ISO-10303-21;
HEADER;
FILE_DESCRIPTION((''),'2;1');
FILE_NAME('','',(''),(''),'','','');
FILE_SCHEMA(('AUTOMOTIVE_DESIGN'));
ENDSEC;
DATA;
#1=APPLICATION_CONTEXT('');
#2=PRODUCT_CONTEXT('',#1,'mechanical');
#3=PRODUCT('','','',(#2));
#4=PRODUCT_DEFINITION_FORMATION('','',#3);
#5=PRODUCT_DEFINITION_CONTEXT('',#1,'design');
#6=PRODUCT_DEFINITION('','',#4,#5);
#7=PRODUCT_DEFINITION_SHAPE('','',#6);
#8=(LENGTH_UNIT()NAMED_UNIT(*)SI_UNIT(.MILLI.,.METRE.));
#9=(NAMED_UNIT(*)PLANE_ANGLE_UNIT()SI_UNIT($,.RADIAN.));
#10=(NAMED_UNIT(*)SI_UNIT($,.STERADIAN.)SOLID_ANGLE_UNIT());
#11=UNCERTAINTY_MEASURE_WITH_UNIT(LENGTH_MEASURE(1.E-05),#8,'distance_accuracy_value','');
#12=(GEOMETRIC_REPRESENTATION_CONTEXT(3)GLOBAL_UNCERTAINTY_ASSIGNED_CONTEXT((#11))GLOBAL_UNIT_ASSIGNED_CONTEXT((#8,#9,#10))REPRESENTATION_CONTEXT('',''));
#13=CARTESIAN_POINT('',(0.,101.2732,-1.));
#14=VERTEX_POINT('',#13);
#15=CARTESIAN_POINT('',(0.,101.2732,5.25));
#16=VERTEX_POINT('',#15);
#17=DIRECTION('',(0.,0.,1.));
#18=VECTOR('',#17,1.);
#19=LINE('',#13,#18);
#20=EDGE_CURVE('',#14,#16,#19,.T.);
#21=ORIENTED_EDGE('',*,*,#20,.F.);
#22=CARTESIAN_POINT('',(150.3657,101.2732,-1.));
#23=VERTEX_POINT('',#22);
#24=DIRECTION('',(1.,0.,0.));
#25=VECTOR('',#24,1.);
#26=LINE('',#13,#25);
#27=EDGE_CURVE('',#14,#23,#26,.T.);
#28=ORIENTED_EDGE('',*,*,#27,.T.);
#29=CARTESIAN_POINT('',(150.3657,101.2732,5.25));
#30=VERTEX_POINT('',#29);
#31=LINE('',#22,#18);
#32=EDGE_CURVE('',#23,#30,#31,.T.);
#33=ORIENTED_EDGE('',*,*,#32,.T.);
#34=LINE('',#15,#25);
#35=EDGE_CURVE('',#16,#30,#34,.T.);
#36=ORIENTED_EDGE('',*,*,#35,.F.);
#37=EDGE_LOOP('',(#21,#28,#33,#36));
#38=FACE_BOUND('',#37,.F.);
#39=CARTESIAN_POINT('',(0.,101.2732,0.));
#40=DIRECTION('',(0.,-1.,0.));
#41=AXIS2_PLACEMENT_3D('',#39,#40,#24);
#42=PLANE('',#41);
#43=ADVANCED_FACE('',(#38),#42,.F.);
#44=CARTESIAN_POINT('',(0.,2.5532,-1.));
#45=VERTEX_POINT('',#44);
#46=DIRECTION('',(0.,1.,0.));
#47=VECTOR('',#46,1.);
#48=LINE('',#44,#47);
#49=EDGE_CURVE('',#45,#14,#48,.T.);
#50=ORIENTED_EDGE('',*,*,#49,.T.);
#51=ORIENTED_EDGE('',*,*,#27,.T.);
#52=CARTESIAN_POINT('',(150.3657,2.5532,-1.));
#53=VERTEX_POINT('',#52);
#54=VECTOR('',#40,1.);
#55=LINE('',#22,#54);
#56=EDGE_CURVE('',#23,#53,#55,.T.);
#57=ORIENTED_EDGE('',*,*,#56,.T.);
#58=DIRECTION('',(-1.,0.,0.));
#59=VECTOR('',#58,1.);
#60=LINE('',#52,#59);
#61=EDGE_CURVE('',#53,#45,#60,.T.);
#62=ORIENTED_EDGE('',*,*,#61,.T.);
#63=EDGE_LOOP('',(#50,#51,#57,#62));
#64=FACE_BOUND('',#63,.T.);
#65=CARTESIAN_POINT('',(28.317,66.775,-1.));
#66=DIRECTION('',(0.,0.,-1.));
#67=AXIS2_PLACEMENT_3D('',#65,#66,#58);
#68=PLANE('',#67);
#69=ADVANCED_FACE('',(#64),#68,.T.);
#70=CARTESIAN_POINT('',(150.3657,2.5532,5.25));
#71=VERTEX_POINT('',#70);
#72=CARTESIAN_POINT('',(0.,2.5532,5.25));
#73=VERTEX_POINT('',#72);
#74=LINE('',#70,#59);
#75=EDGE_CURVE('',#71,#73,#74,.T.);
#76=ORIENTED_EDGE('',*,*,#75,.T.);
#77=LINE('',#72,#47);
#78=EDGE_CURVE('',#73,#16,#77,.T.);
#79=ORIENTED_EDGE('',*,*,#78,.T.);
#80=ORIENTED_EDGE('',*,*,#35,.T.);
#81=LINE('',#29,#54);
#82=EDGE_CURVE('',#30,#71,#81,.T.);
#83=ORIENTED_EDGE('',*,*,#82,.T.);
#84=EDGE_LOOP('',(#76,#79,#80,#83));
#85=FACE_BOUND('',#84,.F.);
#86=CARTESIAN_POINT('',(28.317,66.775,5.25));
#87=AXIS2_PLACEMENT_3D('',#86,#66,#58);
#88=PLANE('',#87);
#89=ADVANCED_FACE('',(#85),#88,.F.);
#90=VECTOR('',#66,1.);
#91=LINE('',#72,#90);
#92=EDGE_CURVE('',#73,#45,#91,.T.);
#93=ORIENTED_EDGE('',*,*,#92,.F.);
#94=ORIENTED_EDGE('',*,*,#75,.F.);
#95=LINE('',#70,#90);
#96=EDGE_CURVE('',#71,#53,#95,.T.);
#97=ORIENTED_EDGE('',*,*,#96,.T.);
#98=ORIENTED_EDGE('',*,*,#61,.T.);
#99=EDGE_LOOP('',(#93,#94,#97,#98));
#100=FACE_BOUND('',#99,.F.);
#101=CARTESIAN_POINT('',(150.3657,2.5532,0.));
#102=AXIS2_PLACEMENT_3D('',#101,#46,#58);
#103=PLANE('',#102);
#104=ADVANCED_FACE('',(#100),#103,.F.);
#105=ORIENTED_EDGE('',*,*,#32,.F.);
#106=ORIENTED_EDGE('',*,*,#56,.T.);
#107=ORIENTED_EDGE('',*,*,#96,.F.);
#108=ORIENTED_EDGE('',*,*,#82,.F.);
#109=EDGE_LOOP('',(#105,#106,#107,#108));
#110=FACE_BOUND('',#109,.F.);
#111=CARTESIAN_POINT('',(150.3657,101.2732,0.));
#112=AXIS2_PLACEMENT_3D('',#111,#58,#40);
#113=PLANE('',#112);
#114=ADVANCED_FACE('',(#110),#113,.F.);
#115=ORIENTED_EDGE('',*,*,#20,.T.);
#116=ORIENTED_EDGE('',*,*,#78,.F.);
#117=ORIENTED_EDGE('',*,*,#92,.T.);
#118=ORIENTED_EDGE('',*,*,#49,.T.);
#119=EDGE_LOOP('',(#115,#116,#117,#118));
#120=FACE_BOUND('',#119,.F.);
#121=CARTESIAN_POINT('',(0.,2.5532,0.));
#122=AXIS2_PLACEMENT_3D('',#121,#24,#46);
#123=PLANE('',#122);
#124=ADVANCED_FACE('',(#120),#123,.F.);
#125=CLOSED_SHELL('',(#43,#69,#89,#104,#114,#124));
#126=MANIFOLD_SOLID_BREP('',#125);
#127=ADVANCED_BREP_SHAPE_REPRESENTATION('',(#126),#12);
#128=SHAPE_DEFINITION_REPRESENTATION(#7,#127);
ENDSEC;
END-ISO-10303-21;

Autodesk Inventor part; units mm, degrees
ref_plane "YZ Plane" through (0, 0, 0) normal (1, 0, 0) x (0, 1, 0)
ref_plane "XZ Plane" through (0, 0, 0) normal (0, 1, 0) x (-1, 0, 0)
ref_plane "XY Plane" through (0, 0, 0) normal (0, 0, 1) x (1, 0, 0)
sketch "Boceto1" plane through (28.317, 66.775, 0) normal (0, 0, -1) x (-1, 0, 0)
  line L0 (-122.0487, -64.2218) -> (28.317, -64.2218)
  line L1 (28.317, -64.2218) -> (28.317, 34.4982)
  line L2 (28.317, 34.4982) -> (-122.0487, 34.4982)
  line L3 (-122.0487, 34.4982) -> (-122.0487, -64.2218)
  point P0 (28.317, -66.775)
extrude "Extrusión1" add sketch "Boceto1" along normal blind 1 and the other way blind 5.25
properties part number "Rover 3 - Verde"
